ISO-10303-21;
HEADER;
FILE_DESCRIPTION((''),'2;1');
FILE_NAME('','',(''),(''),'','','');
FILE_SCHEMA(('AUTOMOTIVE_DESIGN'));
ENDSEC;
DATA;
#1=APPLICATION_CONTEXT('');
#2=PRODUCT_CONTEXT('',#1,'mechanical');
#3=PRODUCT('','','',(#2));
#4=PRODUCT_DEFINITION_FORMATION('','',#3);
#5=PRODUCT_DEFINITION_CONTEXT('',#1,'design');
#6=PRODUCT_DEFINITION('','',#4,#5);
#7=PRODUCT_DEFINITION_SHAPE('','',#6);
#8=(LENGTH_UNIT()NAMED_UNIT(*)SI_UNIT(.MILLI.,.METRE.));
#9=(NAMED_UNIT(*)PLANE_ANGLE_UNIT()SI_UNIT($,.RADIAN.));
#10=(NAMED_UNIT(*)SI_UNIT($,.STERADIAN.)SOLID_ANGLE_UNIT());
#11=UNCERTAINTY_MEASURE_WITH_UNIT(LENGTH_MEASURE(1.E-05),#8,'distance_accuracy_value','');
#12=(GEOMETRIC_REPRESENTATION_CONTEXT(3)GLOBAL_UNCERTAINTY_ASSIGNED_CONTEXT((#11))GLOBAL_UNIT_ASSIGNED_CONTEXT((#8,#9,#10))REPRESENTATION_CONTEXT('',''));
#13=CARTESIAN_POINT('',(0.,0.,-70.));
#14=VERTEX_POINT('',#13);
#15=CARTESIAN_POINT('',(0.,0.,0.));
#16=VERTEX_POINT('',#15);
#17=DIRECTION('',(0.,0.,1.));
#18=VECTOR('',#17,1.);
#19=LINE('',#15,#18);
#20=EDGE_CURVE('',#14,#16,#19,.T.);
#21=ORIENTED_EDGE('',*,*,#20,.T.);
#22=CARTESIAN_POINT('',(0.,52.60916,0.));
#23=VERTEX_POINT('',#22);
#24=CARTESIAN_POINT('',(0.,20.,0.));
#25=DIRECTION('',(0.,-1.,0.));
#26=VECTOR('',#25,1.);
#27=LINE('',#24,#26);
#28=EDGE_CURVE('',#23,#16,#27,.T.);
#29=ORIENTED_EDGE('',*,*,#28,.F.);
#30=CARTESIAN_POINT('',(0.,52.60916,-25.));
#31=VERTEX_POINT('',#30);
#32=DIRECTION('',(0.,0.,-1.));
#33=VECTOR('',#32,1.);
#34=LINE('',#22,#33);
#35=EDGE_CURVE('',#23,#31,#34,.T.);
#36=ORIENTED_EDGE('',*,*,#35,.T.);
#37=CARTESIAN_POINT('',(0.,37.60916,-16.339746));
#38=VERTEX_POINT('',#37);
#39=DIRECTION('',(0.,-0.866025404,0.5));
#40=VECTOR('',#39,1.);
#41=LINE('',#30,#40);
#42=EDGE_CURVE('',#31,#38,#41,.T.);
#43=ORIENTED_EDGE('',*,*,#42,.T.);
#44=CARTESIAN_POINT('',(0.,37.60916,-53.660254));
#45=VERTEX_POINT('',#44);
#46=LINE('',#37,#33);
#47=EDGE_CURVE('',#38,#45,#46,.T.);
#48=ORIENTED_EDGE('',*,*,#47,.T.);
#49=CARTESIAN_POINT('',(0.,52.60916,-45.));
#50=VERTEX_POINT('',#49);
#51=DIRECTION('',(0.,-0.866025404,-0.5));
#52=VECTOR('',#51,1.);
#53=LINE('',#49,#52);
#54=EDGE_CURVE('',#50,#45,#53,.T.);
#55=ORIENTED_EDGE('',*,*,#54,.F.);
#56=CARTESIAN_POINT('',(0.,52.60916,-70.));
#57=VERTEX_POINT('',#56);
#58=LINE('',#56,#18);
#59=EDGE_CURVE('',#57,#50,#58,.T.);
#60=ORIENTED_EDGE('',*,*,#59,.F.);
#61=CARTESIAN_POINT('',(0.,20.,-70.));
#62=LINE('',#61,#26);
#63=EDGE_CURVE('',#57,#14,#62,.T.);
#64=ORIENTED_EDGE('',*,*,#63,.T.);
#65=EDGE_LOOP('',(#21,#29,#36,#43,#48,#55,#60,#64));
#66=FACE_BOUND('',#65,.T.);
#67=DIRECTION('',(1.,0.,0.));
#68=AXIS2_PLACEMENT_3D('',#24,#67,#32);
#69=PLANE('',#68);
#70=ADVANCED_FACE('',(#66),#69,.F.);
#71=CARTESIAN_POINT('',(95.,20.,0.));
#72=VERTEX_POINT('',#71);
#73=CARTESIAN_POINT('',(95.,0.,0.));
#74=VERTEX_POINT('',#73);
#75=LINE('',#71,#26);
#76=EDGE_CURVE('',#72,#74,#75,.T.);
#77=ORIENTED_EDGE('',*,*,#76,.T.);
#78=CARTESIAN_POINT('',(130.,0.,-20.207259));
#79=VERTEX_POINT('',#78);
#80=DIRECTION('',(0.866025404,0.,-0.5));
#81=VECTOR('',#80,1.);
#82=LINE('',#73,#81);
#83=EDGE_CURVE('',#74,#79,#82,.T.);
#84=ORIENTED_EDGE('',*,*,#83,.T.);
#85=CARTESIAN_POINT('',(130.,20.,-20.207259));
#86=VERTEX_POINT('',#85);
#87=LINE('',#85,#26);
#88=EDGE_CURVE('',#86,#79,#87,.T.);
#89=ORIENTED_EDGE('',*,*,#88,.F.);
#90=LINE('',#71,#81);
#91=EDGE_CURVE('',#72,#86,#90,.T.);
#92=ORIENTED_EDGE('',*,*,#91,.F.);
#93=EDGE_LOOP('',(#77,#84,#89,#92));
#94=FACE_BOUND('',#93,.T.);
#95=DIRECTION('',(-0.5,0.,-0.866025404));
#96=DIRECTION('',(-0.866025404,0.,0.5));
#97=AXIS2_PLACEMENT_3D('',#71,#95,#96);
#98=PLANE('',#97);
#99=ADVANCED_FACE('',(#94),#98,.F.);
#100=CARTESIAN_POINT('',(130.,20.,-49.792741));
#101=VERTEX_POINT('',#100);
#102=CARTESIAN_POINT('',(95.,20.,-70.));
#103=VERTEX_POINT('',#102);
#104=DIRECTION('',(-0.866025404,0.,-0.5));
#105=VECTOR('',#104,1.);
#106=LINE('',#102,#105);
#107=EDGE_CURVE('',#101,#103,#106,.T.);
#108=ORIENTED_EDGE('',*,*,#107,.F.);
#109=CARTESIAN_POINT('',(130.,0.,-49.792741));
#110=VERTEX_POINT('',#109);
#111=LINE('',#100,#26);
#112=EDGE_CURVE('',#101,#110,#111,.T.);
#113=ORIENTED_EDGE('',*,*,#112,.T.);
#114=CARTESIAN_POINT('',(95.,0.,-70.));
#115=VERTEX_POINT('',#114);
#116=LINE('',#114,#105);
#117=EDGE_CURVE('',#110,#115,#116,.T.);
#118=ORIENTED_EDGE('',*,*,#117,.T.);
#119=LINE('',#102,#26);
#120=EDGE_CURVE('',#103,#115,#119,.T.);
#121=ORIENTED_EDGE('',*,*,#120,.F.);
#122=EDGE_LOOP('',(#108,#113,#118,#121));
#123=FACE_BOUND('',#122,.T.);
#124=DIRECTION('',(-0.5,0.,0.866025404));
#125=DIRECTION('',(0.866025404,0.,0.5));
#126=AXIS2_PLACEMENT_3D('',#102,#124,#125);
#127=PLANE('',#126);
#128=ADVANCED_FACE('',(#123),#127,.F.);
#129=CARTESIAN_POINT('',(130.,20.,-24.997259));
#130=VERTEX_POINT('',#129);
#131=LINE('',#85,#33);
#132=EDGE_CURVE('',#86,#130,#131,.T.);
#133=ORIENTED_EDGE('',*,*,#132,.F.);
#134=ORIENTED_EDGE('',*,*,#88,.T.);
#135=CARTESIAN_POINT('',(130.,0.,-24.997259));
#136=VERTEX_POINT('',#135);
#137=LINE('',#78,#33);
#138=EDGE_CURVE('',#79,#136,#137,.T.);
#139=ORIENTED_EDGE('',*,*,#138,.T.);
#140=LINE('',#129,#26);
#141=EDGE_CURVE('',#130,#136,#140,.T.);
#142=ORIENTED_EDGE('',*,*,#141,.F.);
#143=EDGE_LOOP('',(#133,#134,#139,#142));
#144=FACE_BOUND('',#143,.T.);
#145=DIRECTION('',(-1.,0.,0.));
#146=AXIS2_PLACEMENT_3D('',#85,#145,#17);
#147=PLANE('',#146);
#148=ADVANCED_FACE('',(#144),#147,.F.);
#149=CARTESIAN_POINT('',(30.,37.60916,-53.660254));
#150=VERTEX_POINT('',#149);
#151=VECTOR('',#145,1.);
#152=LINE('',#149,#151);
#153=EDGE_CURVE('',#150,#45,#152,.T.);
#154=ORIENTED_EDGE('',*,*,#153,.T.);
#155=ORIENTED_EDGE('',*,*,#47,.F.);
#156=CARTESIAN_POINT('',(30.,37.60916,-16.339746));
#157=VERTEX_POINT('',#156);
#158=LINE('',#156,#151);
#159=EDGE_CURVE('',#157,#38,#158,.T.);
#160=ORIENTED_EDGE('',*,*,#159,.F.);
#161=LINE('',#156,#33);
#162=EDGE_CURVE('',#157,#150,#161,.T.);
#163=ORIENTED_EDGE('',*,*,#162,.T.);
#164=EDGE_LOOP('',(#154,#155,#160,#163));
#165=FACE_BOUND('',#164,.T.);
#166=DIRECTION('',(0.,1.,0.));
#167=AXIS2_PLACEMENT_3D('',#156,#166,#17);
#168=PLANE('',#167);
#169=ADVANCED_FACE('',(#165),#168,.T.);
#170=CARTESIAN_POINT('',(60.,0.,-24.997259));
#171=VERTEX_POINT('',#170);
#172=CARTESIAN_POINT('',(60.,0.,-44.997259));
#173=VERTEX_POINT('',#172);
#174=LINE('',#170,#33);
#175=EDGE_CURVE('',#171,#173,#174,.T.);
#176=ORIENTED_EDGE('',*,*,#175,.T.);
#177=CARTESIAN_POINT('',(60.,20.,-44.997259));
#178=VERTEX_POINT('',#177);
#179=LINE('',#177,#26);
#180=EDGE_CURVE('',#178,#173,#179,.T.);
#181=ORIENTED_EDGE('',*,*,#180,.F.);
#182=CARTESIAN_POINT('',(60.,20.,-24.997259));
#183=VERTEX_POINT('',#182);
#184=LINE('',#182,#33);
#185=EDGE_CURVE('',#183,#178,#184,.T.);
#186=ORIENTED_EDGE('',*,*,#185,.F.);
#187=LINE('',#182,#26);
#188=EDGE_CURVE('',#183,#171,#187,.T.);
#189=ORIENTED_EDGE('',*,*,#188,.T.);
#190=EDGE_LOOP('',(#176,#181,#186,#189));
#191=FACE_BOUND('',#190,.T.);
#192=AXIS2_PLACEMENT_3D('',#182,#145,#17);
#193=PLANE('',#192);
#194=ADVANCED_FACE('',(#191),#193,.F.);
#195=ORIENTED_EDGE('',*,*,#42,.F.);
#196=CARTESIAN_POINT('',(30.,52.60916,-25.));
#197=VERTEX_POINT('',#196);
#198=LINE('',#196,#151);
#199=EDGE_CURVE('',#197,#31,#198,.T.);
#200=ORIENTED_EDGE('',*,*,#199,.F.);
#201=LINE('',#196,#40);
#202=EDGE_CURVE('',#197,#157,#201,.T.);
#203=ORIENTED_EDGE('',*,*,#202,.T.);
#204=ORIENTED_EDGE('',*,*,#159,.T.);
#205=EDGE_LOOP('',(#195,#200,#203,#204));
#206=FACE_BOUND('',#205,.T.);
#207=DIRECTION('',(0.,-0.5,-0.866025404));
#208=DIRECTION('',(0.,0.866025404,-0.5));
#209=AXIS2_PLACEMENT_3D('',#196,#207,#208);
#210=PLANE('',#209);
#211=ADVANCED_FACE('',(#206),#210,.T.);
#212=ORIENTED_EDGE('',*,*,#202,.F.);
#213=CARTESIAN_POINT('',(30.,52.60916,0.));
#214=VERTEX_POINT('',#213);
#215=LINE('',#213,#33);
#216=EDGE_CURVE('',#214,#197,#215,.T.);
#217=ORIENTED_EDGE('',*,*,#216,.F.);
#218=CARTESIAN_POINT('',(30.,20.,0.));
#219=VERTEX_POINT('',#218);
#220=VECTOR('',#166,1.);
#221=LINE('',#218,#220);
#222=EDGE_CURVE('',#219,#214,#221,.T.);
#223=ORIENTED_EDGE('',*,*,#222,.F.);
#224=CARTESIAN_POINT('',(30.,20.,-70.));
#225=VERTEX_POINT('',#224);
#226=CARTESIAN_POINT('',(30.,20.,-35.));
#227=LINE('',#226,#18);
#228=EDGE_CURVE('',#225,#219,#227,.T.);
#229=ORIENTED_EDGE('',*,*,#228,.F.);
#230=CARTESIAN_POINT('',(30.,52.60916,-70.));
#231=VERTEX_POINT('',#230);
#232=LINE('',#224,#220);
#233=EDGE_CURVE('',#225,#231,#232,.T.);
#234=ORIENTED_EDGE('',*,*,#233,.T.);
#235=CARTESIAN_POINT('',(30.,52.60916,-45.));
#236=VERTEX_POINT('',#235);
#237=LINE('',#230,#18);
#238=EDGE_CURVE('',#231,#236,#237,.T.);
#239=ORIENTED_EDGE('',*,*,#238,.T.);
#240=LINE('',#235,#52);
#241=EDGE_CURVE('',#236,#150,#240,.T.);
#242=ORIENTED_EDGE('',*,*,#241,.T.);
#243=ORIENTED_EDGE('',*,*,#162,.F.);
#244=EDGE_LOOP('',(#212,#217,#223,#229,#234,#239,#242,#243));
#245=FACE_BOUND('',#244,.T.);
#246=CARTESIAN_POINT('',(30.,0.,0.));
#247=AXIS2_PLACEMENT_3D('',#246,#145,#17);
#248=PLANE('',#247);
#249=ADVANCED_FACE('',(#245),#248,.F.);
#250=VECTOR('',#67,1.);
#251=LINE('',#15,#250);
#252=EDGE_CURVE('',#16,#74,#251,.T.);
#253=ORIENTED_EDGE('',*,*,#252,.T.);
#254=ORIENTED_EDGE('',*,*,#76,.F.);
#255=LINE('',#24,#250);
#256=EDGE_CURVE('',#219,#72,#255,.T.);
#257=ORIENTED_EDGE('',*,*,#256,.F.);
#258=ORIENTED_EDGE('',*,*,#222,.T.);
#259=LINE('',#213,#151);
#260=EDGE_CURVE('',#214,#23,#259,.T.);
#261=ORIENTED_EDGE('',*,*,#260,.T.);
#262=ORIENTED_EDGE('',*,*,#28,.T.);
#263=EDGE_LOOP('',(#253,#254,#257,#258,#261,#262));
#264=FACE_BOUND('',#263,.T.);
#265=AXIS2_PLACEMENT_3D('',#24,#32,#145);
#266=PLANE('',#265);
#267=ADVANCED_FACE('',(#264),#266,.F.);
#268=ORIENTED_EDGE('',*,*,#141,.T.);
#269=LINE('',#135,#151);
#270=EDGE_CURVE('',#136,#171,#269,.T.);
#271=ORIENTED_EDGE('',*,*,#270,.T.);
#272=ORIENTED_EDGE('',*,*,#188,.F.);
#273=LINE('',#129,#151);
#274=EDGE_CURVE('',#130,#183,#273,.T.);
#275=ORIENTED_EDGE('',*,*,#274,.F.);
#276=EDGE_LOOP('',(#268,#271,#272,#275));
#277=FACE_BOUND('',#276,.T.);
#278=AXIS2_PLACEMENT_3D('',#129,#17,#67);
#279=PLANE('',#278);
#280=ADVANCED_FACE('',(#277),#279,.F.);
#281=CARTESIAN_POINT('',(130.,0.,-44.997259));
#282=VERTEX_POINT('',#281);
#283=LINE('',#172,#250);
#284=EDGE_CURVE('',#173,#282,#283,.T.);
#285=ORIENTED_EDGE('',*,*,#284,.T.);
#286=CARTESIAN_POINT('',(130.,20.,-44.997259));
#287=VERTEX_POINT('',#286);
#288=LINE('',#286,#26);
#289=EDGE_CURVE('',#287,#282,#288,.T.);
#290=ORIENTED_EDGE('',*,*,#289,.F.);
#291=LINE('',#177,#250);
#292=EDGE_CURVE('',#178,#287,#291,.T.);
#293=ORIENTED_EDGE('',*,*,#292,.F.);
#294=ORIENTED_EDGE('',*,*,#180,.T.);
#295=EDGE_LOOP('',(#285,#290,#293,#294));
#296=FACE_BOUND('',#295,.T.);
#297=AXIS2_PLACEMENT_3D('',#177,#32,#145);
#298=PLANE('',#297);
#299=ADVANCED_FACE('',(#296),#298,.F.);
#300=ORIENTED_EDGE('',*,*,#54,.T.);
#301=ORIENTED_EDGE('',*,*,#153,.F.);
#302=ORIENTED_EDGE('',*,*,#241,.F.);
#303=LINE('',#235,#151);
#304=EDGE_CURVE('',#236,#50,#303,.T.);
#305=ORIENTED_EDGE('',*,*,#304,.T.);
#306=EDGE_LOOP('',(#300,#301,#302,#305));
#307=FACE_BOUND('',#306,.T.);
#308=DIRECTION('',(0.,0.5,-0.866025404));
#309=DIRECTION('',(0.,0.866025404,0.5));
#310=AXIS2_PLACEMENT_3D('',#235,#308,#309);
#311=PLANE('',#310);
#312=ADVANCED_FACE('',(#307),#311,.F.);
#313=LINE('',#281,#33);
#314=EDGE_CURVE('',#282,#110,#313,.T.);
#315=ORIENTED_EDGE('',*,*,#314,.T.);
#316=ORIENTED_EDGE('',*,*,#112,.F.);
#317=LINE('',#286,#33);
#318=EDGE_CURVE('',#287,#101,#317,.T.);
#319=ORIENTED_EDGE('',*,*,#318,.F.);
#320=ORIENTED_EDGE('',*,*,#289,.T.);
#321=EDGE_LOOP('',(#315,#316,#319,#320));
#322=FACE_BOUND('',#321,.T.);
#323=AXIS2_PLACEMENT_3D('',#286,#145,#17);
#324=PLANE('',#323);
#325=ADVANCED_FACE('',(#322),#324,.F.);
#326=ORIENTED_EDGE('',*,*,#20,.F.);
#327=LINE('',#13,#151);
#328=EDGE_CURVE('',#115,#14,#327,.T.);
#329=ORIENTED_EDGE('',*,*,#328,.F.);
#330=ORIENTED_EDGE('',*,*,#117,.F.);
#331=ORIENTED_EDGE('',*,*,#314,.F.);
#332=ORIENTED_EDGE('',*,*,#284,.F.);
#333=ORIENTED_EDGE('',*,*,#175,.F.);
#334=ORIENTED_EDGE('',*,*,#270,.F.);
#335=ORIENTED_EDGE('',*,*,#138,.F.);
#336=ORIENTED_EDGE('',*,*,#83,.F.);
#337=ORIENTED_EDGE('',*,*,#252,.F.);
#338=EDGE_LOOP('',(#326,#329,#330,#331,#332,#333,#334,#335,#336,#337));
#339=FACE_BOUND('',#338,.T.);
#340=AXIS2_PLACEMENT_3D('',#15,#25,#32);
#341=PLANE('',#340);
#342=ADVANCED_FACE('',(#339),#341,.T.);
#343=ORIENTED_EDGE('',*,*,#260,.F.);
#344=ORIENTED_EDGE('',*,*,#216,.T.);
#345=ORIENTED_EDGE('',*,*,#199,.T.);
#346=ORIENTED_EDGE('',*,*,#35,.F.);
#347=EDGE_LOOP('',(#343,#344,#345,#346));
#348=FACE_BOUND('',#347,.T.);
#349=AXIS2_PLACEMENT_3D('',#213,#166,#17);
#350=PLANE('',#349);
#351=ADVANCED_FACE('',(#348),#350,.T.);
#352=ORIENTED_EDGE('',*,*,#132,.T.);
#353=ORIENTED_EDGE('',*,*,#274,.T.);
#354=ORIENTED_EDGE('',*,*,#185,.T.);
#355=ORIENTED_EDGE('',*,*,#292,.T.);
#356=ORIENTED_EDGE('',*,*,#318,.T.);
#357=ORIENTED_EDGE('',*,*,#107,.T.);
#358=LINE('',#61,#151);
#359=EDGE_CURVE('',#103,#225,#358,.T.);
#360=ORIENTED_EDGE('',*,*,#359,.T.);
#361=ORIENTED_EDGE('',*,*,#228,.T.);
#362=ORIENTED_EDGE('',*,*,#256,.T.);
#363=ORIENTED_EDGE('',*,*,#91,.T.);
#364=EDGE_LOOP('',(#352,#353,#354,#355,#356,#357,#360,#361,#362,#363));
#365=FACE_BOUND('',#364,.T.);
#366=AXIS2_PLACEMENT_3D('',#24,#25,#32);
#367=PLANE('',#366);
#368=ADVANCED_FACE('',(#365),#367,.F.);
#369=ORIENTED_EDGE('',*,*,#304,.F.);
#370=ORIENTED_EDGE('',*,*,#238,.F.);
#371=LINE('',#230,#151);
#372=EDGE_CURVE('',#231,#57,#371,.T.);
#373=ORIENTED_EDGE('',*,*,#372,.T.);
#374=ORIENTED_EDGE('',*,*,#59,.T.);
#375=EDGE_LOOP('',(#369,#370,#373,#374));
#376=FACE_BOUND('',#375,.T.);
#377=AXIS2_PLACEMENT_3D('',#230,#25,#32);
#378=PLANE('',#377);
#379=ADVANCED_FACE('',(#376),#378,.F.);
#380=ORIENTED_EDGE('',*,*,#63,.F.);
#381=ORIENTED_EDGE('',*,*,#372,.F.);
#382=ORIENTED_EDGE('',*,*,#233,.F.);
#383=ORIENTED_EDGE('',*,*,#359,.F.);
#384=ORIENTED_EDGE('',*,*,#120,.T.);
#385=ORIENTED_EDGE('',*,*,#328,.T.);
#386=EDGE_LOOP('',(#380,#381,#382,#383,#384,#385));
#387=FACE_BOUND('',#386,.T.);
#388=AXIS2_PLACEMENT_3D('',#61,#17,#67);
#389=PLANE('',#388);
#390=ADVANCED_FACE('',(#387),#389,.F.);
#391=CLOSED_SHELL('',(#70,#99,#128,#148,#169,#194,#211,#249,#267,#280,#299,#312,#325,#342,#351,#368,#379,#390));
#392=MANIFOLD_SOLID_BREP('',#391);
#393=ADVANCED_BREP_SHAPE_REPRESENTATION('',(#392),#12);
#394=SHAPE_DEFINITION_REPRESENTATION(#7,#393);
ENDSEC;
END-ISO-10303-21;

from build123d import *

# Parameters (mm, degrees)
SALIENTE_EXTRUIR4_DEPTH = 20
SALIENTE_EXTRUIR5_DEPTH = 30


with BuildPart() as part:
    # Croquis2 → Saliente-Extruir4 (new body)
    with BuildSketch(Plane(origin=(0, 0, 0), x_dir=(1, 0, 0), z_dir=(0, 1, 0))):
        Polygon((130, 20.207259422), (130, 24.997259422), (60, 24.997259422), (60, 44.997259422), (130, 44.997259422), (130, 49.792740578), (95, 70), (0, 70), (0, 0), (95, 0), align=None)
    extrude(amount=SALIENTE_EXTRUIR4_DEPTH)

    # Croquis4 → Saliente-Extruir5 (add)
    with BuildSketch(Plane.ZY):
        Polygon((0, 20), (0, 52.609160269), (-25, 52.609160269), (-16.339745962, 37.609160269), (-35, 37.609160269), (-35, 20), align=None)
    saliente_extruir5 = extrude(amount=-SALIENTE_EXTRUIR5_DEPTH)

    # Simetría1: Saliente-Extruir5 across plane
    add(saliente_extruir5.mirror(Plane(origin=(0, 0, -35), x_dir=(1, 0, 0), z_dir=(0, 0, -1))))


solid = part.part
